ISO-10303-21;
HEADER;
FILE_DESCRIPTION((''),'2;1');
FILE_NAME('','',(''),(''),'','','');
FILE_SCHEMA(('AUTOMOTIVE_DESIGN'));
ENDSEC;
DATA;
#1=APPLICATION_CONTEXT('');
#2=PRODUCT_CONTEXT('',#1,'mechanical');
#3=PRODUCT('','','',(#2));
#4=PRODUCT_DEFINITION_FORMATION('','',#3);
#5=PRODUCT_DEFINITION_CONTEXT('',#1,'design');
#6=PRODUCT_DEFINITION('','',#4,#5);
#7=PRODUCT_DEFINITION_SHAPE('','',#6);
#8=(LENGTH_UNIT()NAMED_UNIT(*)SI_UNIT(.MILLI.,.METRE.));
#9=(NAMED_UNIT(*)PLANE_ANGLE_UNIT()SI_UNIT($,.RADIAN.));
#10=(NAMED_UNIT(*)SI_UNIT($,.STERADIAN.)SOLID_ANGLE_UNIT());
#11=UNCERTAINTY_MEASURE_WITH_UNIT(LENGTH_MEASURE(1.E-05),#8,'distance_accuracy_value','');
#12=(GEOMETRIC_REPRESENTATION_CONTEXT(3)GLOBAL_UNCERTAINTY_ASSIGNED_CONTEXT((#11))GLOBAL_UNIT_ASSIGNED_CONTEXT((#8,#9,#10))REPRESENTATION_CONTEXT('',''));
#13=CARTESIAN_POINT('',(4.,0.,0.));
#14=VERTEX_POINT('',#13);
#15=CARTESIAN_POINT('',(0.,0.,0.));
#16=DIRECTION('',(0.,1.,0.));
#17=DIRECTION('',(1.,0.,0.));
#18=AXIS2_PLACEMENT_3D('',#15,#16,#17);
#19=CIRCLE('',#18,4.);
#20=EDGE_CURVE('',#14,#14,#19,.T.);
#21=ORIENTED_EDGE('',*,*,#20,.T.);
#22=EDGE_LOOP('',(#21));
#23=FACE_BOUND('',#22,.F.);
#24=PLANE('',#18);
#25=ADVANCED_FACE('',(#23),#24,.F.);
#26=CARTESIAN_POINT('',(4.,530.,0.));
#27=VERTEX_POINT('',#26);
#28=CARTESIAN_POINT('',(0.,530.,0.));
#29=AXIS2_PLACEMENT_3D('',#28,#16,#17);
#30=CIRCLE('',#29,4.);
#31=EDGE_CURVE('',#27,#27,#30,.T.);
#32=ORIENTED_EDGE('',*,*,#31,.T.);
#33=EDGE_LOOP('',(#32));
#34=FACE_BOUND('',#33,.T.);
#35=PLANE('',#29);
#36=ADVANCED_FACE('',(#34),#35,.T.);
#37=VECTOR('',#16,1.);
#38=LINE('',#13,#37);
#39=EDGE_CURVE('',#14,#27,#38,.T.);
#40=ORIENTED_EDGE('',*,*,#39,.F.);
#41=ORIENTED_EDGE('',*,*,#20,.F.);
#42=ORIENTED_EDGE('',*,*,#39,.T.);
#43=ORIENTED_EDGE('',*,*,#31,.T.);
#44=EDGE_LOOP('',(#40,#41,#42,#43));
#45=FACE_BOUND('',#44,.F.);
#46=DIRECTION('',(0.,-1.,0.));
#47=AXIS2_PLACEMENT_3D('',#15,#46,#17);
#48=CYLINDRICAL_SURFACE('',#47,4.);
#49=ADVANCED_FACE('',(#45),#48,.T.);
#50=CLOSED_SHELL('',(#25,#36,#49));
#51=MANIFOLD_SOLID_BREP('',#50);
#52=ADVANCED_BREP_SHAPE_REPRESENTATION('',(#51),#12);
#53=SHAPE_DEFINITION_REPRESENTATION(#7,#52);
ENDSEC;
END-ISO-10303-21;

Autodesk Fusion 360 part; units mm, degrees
sketch "Sketch1" plane through (0, 0, 0) normal (0, 1, 0) x (1, 0, 0)
  circle A0 centre (0, 0) radius 4
  dimension "d1" = 8
extrude "Extrude1" add sketch "Sketch1" along normal blind 530
